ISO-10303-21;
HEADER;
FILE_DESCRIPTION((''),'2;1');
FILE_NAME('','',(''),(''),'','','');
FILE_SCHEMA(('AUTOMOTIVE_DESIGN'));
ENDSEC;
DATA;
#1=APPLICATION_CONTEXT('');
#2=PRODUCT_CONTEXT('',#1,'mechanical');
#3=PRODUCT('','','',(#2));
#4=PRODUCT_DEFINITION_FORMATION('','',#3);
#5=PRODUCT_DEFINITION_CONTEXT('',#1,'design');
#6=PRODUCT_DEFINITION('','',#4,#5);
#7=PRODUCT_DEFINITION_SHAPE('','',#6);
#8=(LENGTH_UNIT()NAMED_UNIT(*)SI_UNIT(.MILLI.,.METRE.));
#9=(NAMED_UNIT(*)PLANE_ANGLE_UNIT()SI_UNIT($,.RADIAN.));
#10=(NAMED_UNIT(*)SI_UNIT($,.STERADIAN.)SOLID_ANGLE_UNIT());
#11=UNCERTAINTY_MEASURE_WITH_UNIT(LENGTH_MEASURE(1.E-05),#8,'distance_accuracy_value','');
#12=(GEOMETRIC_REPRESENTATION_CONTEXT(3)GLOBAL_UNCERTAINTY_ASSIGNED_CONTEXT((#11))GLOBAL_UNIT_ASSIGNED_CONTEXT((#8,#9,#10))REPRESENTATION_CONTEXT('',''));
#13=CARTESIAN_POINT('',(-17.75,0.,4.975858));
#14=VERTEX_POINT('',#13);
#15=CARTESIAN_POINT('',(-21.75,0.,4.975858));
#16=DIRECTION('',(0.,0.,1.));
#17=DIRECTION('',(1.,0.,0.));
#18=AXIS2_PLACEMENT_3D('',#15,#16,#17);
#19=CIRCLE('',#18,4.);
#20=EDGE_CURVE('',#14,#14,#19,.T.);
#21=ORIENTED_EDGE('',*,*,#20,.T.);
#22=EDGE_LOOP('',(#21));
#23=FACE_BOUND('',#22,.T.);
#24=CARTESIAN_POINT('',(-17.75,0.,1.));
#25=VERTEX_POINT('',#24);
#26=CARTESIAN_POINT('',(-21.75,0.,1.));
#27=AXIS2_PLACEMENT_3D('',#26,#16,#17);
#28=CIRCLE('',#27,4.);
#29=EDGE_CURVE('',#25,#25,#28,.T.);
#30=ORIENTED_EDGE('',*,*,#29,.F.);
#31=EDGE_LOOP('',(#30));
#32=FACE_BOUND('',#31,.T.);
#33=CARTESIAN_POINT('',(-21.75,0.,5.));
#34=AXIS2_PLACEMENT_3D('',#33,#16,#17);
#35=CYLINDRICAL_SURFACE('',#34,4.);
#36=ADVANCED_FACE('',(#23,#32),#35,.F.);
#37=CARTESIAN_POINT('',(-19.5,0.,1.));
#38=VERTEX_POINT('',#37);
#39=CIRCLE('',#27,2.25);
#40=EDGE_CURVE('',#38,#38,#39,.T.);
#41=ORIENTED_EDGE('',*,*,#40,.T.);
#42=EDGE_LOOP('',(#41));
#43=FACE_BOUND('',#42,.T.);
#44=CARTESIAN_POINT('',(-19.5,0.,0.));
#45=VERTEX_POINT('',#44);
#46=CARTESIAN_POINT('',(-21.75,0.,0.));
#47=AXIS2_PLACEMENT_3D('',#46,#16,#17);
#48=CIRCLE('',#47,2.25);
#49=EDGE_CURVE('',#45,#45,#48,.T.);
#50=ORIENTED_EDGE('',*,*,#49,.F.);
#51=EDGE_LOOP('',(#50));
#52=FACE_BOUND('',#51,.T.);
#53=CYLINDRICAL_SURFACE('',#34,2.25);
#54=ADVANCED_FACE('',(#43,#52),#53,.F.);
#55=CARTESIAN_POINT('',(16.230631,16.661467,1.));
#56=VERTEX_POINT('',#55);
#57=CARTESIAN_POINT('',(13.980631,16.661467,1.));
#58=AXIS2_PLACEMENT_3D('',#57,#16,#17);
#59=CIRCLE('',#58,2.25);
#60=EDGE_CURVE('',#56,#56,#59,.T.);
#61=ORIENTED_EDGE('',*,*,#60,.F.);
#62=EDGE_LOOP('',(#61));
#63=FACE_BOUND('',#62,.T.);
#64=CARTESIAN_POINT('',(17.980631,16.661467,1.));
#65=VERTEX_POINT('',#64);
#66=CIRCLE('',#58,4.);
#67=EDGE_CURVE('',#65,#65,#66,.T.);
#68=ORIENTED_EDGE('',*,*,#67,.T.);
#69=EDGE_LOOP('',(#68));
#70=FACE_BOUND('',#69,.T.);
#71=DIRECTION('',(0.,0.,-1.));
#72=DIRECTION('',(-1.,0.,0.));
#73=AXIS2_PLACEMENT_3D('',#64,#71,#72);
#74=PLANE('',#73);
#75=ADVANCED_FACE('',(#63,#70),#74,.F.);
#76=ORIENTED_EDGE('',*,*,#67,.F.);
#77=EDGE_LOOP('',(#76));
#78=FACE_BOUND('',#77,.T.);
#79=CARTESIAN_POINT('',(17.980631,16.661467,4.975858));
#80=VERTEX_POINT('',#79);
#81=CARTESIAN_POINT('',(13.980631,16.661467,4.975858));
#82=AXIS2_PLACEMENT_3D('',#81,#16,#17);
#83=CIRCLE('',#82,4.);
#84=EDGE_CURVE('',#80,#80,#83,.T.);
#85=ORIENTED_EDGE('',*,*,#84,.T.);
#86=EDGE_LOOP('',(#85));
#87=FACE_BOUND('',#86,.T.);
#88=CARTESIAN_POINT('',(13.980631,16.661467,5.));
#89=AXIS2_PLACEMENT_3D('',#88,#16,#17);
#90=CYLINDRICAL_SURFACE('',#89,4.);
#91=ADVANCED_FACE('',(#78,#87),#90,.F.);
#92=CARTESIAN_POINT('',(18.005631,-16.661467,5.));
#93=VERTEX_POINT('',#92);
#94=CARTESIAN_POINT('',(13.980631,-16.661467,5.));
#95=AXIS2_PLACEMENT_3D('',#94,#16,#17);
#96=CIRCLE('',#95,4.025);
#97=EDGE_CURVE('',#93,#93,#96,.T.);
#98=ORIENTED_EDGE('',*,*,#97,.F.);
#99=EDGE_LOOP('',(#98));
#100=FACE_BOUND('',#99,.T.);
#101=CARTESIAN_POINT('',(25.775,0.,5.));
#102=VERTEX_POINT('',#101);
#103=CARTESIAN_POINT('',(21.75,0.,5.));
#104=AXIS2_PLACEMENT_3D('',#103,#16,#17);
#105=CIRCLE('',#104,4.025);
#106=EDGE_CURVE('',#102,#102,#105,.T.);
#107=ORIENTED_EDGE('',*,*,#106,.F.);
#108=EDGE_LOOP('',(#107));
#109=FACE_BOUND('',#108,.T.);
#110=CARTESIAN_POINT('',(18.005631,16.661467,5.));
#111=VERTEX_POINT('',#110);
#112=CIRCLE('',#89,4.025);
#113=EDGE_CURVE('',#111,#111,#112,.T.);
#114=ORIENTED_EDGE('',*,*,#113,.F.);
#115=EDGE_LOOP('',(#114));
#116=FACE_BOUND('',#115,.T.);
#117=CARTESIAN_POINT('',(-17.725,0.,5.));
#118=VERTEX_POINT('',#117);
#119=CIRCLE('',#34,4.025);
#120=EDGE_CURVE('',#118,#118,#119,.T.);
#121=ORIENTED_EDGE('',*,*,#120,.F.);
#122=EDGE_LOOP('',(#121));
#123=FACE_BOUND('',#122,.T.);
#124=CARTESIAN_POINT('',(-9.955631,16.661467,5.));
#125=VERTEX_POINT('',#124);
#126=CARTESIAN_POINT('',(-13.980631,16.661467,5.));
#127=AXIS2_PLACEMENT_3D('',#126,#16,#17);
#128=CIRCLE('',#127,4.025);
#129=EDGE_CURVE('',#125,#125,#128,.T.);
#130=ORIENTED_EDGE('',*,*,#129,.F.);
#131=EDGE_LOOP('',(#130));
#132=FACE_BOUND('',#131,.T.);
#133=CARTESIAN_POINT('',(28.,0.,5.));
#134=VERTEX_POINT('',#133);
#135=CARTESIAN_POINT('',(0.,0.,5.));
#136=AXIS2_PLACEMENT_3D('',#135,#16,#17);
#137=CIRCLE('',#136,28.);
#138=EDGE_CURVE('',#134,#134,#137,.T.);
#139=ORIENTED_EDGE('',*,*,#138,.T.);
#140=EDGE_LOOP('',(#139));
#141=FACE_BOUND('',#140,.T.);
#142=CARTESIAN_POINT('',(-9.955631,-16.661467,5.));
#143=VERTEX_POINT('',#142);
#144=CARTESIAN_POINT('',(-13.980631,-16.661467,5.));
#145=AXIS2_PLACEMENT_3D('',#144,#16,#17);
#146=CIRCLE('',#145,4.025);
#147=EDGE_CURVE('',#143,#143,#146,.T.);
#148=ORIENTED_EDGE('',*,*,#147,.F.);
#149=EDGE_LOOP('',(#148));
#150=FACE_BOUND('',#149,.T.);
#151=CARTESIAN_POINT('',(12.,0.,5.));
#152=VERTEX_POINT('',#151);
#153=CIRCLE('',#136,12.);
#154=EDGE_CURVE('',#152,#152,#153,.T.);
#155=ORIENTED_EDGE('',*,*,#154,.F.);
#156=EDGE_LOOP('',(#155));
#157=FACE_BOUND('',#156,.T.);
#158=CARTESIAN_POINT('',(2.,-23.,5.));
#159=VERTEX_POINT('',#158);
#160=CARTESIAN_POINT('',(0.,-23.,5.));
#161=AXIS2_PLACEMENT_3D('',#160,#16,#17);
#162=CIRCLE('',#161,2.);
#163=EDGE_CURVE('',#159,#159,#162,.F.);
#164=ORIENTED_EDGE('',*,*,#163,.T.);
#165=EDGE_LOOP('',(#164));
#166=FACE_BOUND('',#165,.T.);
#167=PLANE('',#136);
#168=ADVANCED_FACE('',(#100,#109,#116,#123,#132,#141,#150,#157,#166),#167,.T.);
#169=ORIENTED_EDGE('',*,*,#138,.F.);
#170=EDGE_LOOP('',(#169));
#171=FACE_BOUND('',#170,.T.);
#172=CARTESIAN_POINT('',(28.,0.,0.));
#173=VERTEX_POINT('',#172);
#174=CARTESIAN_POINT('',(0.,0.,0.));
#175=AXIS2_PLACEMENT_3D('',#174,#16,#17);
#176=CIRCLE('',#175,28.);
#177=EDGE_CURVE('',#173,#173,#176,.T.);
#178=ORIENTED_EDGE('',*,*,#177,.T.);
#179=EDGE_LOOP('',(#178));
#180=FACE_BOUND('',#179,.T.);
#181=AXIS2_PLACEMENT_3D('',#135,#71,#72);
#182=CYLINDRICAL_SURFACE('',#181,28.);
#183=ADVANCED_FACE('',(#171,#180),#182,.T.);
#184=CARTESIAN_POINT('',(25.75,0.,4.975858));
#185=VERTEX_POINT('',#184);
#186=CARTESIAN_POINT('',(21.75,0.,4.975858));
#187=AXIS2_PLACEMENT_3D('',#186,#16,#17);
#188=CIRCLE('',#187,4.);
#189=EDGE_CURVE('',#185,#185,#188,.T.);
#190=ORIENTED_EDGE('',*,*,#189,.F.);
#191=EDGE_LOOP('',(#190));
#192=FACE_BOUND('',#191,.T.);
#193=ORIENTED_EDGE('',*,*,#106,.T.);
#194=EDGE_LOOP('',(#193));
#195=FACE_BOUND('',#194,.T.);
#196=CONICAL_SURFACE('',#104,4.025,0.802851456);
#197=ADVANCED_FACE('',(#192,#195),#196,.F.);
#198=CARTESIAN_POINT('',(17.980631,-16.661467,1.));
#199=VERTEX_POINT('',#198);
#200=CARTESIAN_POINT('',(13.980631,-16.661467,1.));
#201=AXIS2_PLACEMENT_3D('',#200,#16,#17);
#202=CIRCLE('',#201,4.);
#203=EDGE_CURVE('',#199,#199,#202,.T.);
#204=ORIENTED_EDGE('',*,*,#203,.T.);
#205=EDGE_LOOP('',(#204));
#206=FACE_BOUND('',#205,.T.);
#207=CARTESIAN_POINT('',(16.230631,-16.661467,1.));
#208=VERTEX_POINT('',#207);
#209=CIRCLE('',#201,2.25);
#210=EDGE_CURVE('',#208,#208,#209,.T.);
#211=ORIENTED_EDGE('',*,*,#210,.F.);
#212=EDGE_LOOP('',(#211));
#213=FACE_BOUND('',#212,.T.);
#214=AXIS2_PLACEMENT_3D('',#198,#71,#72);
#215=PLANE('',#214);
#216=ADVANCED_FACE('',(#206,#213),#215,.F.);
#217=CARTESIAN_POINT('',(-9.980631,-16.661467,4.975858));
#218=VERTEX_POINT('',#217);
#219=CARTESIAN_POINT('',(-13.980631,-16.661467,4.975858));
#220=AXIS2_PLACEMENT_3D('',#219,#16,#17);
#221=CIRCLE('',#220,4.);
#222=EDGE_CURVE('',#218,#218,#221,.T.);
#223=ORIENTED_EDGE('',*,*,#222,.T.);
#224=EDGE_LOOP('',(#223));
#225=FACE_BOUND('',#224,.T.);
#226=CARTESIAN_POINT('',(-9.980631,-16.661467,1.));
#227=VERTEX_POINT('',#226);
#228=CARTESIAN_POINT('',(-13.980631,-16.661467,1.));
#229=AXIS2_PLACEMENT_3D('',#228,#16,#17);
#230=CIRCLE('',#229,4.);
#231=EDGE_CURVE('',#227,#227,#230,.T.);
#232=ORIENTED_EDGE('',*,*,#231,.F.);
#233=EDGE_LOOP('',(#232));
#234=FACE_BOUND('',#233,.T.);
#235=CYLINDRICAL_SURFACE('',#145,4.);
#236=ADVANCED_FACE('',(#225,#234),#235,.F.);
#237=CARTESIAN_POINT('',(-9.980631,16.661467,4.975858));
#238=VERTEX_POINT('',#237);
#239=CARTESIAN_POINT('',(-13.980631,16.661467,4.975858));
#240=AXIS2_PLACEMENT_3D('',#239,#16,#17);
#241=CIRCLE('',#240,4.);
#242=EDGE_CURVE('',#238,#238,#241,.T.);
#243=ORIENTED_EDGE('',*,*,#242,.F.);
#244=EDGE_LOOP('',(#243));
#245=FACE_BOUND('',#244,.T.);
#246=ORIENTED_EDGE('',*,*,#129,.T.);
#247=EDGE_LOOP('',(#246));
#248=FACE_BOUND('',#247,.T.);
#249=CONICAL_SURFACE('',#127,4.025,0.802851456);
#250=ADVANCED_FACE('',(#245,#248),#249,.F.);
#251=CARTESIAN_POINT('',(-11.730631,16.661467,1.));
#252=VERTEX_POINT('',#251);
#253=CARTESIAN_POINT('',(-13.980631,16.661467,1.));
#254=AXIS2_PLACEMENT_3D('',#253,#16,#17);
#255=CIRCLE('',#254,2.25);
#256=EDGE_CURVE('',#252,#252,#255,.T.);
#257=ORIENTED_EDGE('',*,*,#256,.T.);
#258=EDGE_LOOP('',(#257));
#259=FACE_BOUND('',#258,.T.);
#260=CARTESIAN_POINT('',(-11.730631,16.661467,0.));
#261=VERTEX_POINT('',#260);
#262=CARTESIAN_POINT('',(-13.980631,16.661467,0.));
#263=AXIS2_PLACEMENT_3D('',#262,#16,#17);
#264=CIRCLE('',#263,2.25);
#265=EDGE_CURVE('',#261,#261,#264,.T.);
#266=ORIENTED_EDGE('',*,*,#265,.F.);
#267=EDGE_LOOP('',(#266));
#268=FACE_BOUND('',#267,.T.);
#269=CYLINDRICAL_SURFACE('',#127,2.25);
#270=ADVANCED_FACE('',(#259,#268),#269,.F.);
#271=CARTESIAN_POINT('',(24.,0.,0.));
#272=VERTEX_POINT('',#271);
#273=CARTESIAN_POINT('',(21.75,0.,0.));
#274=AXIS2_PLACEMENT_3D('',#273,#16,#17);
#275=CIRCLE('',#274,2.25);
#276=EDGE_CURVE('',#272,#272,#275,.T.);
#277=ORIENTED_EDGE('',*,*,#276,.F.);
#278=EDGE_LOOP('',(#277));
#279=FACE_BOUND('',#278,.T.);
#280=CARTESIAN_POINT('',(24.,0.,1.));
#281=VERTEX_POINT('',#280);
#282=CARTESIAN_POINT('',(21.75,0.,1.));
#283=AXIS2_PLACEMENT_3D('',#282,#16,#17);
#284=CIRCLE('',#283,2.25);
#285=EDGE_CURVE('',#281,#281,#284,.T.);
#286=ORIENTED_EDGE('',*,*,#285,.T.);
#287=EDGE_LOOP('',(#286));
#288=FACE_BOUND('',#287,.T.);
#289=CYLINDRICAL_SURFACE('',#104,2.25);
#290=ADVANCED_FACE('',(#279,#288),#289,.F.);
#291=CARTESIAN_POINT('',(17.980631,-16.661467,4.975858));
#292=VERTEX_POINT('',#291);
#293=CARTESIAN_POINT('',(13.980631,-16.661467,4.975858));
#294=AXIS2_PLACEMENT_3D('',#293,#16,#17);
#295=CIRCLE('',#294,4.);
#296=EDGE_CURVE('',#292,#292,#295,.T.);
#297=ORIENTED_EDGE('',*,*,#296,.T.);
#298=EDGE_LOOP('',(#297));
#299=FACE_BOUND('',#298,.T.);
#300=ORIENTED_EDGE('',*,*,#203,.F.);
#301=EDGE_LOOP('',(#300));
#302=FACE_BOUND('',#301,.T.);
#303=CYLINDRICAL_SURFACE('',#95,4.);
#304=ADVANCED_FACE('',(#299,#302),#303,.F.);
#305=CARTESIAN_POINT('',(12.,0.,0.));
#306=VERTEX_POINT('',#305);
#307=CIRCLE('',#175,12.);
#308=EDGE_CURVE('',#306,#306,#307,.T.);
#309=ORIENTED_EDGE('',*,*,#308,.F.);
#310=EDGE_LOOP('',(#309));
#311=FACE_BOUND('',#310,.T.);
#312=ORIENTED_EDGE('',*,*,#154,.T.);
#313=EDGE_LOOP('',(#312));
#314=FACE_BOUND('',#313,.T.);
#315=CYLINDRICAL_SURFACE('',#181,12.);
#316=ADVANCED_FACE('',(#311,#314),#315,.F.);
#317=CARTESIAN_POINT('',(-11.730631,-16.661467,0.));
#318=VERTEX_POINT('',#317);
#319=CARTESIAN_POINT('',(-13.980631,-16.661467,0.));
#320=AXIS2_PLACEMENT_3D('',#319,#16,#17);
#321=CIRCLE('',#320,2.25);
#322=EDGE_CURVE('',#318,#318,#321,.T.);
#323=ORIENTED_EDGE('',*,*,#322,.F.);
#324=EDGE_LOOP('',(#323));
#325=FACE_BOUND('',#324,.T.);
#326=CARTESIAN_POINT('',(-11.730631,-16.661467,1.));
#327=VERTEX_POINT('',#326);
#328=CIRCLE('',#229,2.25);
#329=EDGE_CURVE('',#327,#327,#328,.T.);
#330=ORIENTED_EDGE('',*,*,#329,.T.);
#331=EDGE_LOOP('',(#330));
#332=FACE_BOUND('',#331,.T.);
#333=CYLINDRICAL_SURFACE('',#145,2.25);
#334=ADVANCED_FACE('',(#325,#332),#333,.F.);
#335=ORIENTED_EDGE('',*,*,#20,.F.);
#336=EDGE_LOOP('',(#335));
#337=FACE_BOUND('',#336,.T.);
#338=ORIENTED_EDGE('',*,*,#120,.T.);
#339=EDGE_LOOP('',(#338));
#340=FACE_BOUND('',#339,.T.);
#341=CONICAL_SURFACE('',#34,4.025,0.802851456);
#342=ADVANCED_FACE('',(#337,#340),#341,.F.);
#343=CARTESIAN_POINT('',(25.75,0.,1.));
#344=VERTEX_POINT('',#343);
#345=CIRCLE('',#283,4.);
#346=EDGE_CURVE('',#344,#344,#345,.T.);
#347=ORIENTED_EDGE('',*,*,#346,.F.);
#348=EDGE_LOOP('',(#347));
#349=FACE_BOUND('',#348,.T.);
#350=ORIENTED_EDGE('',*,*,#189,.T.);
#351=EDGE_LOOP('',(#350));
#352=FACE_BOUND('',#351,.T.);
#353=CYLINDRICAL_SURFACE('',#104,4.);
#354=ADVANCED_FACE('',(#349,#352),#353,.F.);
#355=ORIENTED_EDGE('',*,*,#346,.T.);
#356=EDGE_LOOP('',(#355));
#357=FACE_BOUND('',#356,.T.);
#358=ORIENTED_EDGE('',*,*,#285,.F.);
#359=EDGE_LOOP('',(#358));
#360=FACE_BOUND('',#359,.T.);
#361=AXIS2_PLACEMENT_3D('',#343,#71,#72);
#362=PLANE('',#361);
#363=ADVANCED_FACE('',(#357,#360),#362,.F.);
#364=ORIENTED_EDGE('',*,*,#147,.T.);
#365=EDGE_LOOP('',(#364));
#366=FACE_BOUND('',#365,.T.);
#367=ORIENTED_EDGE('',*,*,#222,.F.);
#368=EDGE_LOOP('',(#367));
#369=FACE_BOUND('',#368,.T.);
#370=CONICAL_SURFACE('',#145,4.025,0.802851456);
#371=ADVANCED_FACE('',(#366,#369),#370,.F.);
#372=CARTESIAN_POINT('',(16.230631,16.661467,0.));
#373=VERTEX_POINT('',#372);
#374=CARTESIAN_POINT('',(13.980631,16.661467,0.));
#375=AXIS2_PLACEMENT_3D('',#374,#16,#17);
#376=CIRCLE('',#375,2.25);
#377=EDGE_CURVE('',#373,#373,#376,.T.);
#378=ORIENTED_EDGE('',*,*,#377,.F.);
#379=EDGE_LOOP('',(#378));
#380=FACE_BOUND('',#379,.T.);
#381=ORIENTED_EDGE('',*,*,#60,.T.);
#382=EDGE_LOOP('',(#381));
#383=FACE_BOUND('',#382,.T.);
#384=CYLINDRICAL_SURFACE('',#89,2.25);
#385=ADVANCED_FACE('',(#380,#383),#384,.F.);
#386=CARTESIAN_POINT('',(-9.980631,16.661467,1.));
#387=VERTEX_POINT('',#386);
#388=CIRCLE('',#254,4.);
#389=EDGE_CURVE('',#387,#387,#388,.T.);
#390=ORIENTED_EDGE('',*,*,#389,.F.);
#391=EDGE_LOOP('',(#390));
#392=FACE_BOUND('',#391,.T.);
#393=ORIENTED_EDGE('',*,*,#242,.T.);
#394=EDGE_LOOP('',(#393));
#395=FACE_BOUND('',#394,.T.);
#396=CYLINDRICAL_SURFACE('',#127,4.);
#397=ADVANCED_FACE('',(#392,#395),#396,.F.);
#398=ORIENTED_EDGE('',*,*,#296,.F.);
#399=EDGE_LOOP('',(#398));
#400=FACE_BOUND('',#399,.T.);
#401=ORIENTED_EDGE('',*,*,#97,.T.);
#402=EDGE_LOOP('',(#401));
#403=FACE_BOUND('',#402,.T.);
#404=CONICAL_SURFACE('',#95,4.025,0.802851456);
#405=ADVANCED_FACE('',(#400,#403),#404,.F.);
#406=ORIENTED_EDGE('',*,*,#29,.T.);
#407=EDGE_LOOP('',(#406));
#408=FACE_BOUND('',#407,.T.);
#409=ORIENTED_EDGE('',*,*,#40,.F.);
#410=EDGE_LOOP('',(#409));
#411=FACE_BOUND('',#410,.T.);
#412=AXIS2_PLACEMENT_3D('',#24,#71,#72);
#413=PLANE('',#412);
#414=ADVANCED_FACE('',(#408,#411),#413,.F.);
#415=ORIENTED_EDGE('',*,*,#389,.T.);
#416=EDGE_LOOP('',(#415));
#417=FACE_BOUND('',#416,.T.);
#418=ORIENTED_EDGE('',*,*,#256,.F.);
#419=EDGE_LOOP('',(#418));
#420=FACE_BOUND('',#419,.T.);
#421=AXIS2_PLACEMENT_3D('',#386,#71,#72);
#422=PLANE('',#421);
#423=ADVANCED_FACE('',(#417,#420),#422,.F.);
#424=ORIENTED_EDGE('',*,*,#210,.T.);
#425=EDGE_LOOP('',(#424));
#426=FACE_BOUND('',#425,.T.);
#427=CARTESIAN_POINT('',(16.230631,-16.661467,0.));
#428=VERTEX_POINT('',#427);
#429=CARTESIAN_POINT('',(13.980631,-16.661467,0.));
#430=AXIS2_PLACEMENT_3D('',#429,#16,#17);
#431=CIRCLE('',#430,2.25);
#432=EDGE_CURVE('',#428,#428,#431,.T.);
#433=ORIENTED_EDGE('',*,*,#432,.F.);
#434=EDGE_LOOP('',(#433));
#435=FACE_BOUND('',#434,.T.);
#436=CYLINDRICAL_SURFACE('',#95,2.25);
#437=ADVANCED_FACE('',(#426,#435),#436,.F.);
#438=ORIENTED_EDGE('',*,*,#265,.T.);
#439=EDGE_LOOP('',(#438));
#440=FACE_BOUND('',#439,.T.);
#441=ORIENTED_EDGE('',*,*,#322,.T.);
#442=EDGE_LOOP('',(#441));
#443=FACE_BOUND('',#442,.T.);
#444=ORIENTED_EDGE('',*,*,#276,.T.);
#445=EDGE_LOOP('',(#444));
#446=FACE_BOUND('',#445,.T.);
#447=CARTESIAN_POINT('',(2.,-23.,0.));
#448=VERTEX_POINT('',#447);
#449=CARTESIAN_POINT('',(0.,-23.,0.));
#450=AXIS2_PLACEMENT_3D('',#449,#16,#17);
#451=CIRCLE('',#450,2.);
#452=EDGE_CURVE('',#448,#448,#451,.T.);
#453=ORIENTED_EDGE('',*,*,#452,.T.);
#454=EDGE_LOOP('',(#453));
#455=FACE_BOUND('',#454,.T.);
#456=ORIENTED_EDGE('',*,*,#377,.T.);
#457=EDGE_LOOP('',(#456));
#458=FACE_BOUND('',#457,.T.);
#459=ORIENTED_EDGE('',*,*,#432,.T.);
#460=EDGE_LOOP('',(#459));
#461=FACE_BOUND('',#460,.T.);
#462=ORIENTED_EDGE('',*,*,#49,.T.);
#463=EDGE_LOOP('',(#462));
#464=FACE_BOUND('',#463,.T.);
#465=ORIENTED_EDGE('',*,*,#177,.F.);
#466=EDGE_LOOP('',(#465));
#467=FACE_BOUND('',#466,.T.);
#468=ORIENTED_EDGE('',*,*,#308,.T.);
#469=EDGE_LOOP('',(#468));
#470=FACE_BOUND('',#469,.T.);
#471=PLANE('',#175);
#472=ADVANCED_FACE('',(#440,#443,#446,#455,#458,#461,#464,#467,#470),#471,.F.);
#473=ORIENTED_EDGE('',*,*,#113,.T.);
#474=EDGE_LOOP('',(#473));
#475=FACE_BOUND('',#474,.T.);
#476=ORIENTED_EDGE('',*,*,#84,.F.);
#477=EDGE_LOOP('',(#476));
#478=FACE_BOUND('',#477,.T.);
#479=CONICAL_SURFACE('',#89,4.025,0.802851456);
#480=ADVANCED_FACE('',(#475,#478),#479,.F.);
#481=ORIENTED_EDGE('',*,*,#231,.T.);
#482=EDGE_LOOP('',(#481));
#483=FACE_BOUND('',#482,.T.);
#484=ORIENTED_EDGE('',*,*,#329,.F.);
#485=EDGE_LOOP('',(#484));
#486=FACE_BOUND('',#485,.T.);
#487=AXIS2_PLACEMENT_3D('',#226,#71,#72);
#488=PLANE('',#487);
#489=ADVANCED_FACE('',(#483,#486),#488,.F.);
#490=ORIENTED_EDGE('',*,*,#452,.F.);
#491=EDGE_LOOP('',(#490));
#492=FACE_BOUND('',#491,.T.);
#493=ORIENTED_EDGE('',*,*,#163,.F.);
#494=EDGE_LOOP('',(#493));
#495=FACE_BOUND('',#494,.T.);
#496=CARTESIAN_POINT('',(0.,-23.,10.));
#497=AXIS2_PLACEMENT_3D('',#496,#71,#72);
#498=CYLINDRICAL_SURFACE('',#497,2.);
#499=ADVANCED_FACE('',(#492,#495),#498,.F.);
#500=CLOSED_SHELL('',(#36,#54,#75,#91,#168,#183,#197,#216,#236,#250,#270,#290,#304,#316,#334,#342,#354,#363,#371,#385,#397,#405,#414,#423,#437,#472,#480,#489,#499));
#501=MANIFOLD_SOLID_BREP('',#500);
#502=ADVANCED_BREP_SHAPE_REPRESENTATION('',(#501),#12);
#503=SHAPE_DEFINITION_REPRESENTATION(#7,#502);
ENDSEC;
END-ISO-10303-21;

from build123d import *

# Parameters (mm, degrees)
SKETCH_1_R                  = 28
SKETCH_1_R_2                = 12
EXTRUDE_1_DEPTH             = 5
HOLE_WIZARD_M4_1_AT_2_COUNT = 2
HOLE_WIZARD_M4_1_AT_2_PITCH = 39.424388736
HOLE_WIZARD_M4_1_AT_3_COUNT = 2
HOLE_WIZARD_M4_1_AT_3_PITCH = 39.424388736
HOLE_WIZARD_M4_1_AT_4_COUNT = 2
HOLE_WIZARD_M4_1_AT_4_PITCH = 18.383894388
HOLE_WIZARD_M4_1_AT_5_COUNT = 2
HOLE_WIZARD_M4_1_AT_5_PITCH = 39.424388736
HOLE_WIZARD_M4_1_AT_6_COUNT = 2
HOLE_WIZARD_M4_1_AT_6_PITCH = 18.383894388
HOLE_WIZARD_M4_1_AT_7_COUNT = 2
HOLE_WIZARD_M4_1_AT_7_PITCH = 43.5
SKETCH_4_R                  = 2
CUT_EXTRUDE_1_DEPTH         = 10


with BuildPart() as part:
    # 草图1 → 凸台-拉伸1 (new body)
    with BuildSketch(Plane.XY):
        Circle(SKETCH_1_R)
        Circle(SKETCH_1_R_2, mode=Mode.SUBTRACT)
    extrude(amount=EXTRUDE_1_DEPTH)

    # 草图3 → M4 六角凹头盖的柱孔1 (revolve, cut)
    with BuildSketch(Plane(origin=(21.75, 0, 5), x_dir=(0, -1, 0), z_dir=(1, 0, 0))):
        Polygon((0, 0), (0, 5), (2.25, 5), (2.25, 4), (4, 4), (4, 0.024142219), (4.025, 0), align=None)
    hole_wizard_m4_1 = revolve(axis=Axis((21.75, 0, 11.35), (0, 0, -1)), mode=Mode.SUBTRACT)

    # M4 六角凹头盖的柱孔1 at 2: M4 六角凹头盖的柱孔1 ×2
    with Locations(*[Vector(-0.9063077870366496, 0.42261826174070033, 0) * (i * HOLE_WIZARD_M4_1_AT_2_PITCH) for i in range(1, HOLE_WIZARD_M4_1_AT_2_COUNT)]):
        add(hole_wizard_m4_1, mode=Mode.SUBTRACT)

    # M4 六角凹头盖的柱孔1 at 3: M4 六角凹头盖的柱孔1 ×2
    with Locations(*[Vector(-0.9063077870125524, 0.42261826179237694, 0) * (i * HOLE_WIZARD_M4_1_AT_3_PITCH) for i in range(1, HOLE_WIZARD_M4_1_AT_3_COUNT)]):
        add(hole_wizard_m4_1, mode=Mode.SUBTRACT)

    # M4 六角凹头盖的柱孔1 at 4: M4 六角凹头盖的柱孔1 ×2
    with Locations(*[Vector(-0.42261826172613226, -0.9063077870434427, 0) * (i * HOLE_WIZARD_M4_1_AT_4_PITCH) for i in range(1, HOLE_WIZARD_M4_1_AT_4_COUNT)]):
        add(hole_wizard_m4_1, mode=Mode.SUBTRACT)

    # M4 六角凹头盖的柱孔1 at 5: M4 六角凹头盖的柱孔1 ×2
    with Locations(*[Vector(-0.9063077870125524, -0.42261826179237694, 0) * (i * HOLE_WIZARD_M4_1_AT_5_PITCH) for i in range(1, HOLE_WIZARD_M4_1_AT_5_COUNT)]):
        add(hole_wizard_m4_1, mode=Mode.SUBTRACT)

    # M4 六角凹头盖的柱孔1 at 6: M4 六角凹头盖的柱孔1 ×2
    with Locations(*[Vector(-0.42261826172613226, 0.9063077870434427, 0) * (i * HOLE_WIZARD_M4_1_AT_6_PITCH) for i in range(1, HOLE_WIZARD_M4_1_AT_6_COUNT)]):
        add(hole_wizard_m4_1, mode=Mode.SUBTRACT)

    # M4 六角凹头盖的柱孔1 at 7: M4 六角凹头盖的柱孔1 ×2
    with Locations(*[(-i * HOLE_WIZARD_M4_1_AT_7_PITCH, 0, 0) for i in range(1, HOLE_WIZARD_M4_1_AT_7_COUNT)]):
        add(hole_wizard_m4_1, mode=Mode.SUBTRACT)

    # 草图4 → 切除-拉伸1 (cut)
    with BuildSketch(Plane.XY):
        with Locations((0, -23)):
            Circle(SKETCH_4_R)
    extrude(amount=CUT_EXTRUDE_1_DEPTH, mode=Mode.SUBTRACT)


solid = part.part
